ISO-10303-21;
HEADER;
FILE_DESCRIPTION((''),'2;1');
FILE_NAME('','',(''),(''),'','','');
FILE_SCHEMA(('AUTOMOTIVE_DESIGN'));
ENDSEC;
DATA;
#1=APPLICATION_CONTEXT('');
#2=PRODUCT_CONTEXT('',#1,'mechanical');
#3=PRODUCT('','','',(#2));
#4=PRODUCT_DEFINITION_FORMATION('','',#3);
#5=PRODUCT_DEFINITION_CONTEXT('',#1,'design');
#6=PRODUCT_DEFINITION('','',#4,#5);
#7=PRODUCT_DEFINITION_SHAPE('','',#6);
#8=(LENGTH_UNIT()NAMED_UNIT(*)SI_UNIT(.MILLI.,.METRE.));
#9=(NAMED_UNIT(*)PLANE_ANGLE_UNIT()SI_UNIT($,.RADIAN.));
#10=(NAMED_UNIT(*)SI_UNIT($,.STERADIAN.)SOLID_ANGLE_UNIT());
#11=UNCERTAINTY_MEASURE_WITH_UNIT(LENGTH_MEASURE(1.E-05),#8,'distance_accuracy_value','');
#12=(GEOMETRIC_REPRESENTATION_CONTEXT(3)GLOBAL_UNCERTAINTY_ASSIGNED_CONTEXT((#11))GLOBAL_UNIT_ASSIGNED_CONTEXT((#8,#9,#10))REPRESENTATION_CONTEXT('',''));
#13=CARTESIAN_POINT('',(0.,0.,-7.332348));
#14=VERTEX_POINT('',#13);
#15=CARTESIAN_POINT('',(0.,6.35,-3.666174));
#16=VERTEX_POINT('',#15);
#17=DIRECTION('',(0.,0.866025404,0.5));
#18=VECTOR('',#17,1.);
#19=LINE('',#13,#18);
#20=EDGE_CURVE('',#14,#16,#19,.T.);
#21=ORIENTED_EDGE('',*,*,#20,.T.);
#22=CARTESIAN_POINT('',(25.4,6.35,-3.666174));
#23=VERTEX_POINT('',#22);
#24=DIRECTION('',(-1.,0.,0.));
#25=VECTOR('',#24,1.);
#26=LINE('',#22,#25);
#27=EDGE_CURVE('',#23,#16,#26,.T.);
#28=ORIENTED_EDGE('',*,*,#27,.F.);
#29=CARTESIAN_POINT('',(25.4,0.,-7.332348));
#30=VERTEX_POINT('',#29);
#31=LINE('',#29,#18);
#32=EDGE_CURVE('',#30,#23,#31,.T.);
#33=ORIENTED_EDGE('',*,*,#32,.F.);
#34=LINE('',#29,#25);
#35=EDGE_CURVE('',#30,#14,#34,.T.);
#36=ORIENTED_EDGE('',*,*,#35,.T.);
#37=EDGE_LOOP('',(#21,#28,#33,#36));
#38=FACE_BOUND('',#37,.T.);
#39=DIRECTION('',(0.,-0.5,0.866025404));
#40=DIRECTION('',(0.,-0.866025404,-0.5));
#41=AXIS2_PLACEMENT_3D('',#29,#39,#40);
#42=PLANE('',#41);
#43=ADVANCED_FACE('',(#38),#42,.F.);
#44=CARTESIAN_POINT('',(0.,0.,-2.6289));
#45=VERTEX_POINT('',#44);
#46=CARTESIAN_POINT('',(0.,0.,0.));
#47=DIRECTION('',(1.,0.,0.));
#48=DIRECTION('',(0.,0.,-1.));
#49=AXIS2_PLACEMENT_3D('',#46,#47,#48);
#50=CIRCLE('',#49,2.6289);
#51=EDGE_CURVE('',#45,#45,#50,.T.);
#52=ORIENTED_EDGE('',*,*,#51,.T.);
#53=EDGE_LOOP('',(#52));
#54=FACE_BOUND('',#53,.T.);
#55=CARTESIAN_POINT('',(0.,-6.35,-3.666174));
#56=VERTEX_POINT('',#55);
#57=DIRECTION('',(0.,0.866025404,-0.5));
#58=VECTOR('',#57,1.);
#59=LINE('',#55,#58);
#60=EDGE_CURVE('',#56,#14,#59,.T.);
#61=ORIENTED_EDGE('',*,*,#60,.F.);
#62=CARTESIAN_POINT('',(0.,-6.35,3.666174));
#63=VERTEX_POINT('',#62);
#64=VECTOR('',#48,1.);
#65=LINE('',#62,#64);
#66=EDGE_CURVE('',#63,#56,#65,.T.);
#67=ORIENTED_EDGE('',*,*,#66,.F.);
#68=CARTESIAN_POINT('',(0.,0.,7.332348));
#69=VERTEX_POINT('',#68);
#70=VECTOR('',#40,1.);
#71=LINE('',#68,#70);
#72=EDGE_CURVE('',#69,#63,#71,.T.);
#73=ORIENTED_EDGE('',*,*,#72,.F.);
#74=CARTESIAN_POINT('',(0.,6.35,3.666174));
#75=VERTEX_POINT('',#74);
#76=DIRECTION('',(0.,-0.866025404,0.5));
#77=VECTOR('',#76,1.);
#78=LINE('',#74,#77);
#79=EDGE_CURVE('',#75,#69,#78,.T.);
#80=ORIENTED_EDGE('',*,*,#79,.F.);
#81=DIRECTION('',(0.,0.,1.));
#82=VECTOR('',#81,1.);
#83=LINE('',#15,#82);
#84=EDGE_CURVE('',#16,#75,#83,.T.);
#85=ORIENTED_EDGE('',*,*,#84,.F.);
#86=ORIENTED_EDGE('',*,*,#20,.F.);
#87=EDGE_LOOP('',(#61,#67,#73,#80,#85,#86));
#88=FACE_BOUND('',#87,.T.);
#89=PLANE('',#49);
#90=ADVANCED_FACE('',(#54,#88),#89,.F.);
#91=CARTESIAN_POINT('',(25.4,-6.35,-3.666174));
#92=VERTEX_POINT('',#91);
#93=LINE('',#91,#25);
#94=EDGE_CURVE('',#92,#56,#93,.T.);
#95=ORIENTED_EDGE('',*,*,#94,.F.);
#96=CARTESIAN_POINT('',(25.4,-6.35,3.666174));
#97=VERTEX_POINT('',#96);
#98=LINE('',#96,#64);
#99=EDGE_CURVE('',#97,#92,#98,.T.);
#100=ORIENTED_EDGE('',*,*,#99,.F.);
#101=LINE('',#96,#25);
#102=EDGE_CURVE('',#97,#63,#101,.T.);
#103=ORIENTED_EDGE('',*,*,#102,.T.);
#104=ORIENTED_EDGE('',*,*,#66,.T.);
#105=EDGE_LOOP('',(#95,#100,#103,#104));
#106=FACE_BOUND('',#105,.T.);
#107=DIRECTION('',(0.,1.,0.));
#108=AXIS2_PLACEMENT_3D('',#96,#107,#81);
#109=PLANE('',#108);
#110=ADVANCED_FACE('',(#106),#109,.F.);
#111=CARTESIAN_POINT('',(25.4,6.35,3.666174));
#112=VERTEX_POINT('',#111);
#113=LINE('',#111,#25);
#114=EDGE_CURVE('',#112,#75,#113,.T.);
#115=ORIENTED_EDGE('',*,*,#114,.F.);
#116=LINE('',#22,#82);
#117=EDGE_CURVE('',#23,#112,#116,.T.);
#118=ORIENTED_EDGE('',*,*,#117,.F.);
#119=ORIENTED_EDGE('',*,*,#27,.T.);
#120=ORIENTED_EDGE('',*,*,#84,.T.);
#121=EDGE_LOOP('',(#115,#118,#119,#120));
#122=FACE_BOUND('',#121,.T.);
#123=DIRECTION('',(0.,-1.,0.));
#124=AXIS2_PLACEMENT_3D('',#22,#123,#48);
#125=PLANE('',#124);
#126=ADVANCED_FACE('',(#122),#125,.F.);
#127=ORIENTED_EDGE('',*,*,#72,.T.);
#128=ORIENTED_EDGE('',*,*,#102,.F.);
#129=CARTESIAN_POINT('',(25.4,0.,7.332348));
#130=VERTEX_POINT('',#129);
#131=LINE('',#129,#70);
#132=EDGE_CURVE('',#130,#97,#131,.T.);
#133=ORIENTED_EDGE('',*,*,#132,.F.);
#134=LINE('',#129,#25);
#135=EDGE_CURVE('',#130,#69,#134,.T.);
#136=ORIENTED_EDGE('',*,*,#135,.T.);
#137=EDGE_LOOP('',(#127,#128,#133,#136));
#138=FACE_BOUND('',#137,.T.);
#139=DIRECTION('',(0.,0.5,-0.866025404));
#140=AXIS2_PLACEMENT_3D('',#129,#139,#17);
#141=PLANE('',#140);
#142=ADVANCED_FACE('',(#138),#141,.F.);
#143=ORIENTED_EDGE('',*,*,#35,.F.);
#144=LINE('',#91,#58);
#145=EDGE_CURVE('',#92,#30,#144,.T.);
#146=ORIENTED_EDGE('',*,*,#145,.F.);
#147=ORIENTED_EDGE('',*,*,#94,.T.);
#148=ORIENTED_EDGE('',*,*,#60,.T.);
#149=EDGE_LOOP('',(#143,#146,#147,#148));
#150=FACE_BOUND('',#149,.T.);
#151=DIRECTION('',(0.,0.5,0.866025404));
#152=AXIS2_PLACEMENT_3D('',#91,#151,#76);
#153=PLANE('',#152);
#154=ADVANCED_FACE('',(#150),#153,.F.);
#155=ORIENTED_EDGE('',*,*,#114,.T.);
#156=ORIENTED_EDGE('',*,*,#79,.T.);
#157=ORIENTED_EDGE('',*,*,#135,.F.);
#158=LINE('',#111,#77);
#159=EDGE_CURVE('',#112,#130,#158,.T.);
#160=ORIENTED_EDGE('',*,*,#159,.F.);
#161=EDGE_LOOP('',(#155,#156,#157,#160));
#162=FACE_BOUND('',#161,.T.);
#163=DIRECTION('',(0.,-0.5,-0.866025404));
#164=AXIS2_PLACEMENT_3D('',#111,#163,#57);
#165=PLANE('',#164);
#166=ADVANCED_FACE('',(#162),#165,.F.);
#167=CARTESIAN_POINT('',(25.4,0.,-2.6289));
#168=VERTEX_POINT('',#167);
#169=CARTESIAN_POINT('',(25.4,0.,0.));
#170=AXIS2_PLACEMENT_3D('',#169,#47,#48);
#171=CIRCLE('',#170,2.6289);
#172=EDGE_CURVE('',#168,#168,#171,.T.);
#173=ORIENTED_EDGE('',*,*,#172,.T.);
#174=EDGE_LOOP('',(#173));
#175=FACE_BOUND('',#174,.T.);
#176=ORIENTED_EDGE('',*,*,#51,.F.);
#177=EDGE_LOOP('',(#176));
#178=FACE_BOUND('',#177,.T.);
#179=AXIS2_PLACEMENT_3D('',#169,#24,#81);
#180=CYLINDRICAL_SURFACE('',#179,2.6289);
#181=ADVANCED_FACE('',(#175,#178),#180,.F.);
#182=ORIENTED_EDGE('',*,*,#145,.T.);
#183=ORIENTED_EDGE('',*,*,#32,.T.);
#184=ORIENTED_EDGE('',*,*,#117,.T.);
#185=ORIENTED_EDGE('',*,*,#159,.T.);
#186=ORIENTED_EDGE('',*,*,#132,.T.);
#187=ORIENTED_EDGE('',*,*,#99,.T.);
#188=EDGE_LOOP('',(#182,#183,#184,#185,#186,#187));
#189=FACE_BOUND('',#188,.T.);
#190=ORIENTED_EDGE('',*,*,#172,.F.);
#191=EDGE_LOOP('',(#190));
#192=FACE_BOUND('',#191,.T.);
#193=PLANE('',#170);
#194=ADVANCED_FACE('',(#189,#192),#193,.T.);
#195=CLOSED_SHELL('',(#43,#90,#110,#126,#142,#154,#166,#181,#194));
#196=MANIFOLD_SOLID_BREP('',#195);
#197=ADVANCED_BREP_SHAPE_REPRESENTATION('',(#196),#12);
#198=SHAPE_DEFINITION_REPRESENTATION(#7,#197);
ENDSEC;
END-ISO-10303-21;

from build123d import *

# Parameters (mm, degrees)
SKETCH1_R           = 2.6289
BOSS_EXTRUDE1_DEPTH = 25.4


with BuildPart() as part:
    # Sketch1 → Boss-Extrude1 (new body)
    with BuildSketch(Plane(origin=(0, 0, 0), x_dir=(0, 0, -1), z_dir=(1, 0, 0))):
        Polygon((3.666174209, -6.35), (7.332348419, 0), (3.666174209, 6.35), (-3.666174209, 6.35), (-7.332348419, 0), (-3.666174209, -6.35), align=None)
        Circle(SKETCH1_R, mode=Mode.SUBTRACT)
    extrude(amount=BOSS_EXTRUDE1_DEPTH)


solid = part.part
